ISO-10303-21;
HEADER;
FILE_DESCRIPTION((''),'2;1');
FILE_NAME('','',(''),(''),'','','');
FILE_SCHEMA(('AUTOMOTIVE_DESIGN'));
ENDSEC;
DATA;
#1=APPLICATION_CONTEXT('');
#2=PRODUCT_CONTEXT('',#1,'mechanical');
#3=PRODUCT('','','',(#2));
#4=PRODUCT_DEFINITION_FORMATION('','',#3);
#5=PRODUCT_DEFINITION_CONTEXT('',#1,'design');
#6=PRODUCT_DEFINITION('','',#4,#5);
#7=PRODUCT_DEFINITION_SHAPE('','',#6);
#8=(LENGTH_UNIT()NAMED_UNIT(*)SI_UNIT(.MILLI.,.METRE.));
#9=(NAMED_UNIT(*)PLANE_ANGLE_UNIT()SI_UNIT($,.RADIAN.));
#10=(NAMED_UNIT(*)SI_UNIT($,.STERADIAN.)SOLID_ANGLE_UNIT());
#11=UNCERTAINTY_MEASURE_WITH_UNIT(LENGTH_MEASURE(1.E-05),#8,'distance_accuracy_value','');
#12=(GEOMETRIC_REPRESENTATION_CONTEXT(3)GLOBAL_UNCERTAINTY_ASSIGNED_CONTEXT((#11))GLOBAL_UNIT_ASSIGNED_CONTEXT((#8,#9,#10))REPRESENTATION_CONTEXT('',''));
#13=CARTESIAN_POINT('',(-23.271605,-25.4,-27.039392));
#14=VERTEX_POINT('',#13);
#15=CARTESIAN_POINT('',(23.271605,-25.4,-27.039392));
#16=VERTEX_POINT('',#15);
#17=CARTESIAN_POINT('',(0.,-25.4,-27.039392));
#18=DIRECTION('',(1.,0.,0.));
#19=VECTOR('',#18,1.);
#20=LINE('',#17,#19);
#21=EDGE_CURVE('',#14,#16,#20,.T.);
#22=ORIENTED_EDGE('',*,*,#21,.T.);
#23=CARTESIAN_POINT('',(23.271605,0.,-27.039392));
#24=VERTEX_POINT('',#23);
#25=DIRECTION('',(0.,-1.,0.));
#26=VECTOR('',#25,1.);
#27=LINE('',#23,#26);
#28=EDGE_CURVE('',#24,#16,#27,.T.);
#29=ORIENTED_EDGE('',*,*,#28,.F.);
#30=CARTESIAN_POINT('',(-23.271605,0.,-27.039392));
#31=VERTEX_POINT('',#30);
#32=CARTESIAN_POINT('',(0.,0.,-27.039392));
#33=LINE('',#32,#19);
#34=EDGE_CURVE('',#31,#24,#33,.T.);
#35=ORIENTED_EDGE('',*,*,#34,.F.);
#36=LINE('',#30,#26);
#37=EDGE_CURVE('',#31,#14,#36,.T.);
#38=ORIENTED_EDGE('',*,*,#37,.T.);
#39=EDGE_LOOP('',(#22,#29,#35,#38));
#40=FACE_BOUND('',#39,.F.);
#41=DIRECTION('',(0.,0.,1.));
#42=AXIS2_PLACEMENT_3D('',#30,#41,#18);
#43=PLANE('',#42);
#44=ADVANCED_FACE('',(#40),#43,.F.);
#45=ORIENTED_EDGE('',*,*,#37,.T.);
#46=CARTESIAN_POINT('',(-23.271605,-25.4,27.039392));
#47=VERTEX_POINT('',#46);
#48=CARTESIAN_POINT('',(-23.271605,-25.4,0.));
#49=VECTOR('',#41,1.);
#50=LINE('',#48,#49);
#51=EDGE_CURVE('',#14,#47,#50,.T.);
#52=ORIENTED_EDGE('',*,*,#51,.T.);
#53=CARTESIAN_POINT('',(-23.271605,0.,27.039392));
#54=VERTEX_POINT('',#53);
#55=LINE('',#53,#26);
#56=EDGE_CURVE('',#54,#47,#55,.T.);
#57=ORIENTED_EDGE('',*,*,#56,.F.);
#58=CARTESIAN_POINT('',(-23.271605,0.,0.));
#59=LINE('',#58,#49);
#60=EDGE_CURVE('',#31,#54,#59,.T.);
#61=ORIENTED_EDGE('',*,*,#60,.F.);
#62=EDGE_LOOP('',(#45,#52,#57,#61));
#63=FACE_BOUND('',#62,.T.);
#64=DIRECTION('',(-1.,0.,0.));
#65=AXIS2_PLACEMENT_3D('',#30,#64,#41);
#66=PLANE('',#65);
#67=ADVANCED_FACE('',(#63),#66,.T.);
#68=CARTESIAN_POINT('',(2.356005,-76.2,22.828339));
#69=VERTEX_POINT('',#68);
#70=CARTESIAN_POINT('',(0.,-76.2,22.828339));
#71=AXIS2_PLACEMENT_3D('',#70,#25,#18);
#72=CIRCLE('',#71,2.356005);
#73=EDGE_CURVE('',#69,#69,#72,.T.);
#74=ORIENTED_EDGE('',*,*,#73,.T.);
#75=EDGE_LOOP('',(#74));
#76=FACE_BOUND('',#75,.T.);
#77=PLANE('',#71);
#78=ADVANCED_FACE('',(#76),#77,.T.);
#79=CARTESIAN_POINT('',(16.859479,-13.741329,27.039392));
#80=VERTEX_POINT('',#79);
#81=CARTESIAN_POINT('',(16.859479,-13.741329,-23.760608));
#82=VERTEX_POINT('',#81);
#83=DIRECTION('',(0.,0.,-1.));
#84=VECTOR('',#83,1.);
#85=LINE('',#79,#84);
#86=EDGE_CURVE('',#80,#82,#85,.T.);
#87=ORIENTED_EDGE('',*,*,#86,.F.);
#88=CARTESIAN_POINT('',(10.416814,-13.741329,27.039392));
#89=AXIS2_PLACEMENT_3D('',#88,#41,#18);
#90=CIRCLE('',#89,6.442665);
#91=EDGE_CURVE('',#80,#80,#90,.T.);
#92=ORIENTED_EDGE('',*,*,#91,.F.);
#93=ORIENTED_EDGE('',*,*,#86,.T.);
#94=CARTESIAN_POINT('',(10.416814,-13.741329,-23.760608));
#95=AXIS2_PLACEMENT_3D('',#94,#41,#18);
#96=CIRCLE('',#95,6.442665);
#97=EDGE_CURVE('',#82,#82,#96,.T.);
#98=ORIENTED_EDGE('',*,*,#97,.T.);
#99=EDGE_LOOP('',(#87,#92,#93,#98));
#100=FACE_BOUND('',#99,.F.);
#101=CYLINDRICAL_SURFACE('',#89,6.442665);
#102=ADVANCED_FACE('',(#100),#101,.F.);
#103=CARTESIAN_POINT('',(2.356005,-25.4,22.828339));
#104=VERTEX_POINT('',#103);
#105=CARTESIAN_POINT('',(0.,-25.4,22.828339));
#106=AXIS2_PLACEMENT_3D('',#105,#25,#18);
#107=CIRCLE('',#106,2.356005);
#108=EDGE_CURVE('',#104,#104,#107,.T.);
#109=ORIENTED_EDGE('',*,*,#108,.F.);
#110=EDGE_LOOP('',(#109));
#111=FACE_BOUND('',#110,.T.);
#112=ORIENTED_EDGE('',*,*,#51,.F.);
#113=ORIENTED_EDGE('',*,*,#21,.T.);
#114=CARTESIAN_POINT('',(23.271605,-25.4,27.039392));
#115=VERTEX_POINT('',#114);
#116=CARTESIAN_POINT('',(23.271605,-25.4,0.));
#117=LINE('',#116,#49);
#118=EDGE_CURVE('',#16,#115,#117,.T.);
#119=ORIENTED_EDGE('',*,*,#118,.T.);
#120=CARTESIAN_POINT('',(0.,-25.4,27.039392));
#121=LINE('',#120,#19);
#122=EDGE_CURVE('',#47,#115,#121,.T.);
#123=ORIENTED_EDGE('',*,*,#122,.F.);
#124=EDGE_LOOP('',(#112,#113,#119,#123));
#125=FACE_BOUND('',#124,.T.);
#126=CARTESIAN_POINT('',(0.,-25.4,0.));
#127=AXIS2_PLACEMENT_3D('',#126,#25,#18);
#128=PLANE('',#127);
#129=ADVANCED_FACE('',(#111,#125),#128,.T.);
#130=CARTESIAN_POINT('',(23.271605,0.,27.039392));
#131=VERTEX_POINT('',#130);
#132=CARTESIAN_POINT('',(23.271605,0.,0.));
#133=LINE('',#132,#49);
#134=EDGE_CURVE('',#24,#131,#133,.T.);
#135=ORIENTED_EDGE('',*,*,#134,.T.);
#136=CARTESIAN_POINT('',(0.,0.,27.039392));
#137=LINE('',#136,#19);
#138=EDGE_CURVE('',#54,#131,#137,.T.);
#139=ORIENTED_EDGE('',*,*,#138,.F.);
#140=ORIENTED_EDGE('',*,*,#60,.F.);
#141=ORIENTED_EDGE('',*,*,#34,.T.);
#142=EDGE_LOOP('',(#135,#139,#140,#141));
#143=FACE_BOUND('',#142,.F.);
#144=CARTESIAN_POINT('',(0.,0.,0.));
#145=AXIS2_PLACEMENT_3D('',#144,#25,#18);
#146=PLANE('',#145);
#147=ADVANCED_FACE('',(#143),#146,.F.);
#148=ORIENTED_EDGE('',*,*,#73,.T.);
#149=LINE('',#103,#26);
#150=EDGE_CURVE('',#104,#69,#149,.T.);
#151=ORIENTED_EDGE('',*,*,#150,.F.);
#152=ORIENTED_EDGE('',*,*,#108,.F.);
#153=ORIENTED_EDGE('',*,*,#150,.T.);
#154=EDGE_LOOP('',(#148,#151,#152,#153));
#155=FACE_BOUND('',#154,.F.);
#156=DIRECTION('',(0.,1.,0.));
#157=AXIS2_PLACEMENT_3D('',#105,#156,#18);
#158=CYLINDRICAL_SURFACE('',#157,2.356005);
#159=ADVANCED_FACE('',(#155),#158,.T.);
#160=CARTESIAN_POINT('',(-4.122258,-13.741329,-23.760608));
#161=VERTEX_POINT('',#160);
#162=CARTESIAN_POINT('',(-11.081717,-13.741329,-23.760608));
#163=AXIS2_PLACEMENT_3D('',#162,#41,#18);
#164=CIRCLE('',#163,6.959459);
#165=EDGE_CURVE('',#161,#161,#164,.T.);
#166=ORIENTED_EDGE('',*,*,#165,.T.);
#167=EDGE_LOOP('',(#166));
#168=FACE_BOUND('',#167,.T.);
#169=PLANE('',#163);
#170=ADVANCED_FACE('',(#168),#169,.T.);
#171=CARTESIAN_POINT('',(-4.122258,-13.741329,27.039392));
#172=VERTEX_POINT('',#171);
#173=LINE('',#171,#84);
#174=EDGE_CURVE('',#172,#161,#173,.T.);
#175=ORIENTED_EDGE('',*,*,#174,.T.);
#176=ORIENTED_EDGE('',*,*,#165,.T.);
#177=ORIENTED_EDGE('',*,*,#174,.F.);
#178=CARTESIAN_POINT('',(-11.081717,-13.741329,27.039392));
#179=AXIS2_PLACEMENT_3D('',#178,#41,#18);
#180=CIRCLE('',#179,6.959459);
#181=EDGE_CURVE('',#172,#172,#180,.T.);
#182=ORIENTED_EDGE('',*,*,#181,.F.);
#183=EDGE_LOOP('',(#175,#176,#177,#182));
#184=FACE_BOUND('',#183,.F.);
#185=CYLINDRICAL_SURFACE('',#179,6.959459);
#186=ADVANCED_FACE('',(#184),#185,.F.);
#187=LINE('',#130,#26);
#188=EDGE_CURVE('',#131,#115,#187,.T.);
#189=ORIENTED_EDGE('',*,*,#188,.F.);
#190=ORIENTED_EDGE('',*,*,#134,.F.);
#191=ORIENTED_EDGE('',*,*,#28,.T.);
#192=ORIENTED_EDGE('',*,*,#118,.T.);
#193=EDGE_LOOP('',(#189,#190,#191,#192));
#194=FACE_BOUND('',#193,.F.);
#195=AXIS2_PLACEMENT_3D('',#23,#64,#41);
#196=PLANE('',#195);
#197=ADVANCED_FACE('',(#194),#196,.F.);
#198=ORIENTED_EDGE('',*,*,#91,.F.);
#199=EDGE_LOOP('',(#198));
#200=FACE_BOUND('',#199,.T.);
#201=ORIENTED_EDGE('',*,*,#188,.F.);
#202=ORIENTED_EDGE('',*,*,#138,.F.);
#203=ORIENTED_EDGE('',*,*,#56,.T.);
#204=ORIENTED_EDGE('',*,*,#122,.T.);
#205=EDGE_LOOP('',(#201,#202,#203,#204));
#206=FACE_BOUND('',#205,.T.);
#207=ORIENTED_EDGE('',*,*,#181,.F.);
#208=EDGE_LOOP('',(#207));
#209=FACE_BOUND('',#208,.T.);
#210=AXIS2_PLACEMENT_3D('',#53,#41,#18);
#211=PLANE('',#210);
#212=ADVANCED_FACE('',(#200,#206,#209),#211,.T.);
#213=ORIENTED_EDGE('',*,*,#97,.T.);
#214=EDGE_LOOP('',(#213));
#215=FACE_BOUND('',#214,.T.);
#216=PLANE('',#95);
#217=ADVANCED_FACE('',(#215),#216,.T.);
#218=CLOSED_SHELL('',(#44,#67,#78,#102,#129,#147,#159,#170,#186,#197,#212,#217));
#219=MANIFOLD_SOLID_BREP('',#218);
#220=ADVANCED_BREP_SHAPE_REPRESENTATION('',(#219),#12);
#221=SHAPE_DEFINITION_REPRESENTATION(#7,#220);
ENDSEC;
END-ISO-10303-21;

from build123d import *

# Parameters (mm, degrees)
F0_W     = 46.54321
F0_H     = 54.078784
F1_DEPTH = 25.4
F2_R     = 6.959459
F2_R_2   = 6.442665
F3_DEPTH = 50.8
F4_R     = 2.356005
F5_DEPTH = 50.8


with BuildPart() as f1:
    # F0 (on Front) → F1 (new body)
    with BuildSketch(Plane.XZ):
        Rectangle(F0_W, F0_H)
    extrude(amount=F1_DEPTH)

    # F2 (on face) → F3 (cut)
    with BuildSketch(Plane.XY.offset(27.039392)):
        with Locations((-11.081717, -13.741329)):
            Circle(F2_R)
        with Locations((10.416814, -13.741329)):
            Circle(F2_R_2)
    extrude(amount=-F3_DEPTH, mode=Mode.SUBTRACT)

    # F4 (on face) → F5 (join)
    with BuildSketch(Plane.XZ.offset(25.4)):
        with Locations((0, 22.828339)):
            Circle(F4_R)
    extrude(amount=F5_DEPTH)


solid = f1.part
